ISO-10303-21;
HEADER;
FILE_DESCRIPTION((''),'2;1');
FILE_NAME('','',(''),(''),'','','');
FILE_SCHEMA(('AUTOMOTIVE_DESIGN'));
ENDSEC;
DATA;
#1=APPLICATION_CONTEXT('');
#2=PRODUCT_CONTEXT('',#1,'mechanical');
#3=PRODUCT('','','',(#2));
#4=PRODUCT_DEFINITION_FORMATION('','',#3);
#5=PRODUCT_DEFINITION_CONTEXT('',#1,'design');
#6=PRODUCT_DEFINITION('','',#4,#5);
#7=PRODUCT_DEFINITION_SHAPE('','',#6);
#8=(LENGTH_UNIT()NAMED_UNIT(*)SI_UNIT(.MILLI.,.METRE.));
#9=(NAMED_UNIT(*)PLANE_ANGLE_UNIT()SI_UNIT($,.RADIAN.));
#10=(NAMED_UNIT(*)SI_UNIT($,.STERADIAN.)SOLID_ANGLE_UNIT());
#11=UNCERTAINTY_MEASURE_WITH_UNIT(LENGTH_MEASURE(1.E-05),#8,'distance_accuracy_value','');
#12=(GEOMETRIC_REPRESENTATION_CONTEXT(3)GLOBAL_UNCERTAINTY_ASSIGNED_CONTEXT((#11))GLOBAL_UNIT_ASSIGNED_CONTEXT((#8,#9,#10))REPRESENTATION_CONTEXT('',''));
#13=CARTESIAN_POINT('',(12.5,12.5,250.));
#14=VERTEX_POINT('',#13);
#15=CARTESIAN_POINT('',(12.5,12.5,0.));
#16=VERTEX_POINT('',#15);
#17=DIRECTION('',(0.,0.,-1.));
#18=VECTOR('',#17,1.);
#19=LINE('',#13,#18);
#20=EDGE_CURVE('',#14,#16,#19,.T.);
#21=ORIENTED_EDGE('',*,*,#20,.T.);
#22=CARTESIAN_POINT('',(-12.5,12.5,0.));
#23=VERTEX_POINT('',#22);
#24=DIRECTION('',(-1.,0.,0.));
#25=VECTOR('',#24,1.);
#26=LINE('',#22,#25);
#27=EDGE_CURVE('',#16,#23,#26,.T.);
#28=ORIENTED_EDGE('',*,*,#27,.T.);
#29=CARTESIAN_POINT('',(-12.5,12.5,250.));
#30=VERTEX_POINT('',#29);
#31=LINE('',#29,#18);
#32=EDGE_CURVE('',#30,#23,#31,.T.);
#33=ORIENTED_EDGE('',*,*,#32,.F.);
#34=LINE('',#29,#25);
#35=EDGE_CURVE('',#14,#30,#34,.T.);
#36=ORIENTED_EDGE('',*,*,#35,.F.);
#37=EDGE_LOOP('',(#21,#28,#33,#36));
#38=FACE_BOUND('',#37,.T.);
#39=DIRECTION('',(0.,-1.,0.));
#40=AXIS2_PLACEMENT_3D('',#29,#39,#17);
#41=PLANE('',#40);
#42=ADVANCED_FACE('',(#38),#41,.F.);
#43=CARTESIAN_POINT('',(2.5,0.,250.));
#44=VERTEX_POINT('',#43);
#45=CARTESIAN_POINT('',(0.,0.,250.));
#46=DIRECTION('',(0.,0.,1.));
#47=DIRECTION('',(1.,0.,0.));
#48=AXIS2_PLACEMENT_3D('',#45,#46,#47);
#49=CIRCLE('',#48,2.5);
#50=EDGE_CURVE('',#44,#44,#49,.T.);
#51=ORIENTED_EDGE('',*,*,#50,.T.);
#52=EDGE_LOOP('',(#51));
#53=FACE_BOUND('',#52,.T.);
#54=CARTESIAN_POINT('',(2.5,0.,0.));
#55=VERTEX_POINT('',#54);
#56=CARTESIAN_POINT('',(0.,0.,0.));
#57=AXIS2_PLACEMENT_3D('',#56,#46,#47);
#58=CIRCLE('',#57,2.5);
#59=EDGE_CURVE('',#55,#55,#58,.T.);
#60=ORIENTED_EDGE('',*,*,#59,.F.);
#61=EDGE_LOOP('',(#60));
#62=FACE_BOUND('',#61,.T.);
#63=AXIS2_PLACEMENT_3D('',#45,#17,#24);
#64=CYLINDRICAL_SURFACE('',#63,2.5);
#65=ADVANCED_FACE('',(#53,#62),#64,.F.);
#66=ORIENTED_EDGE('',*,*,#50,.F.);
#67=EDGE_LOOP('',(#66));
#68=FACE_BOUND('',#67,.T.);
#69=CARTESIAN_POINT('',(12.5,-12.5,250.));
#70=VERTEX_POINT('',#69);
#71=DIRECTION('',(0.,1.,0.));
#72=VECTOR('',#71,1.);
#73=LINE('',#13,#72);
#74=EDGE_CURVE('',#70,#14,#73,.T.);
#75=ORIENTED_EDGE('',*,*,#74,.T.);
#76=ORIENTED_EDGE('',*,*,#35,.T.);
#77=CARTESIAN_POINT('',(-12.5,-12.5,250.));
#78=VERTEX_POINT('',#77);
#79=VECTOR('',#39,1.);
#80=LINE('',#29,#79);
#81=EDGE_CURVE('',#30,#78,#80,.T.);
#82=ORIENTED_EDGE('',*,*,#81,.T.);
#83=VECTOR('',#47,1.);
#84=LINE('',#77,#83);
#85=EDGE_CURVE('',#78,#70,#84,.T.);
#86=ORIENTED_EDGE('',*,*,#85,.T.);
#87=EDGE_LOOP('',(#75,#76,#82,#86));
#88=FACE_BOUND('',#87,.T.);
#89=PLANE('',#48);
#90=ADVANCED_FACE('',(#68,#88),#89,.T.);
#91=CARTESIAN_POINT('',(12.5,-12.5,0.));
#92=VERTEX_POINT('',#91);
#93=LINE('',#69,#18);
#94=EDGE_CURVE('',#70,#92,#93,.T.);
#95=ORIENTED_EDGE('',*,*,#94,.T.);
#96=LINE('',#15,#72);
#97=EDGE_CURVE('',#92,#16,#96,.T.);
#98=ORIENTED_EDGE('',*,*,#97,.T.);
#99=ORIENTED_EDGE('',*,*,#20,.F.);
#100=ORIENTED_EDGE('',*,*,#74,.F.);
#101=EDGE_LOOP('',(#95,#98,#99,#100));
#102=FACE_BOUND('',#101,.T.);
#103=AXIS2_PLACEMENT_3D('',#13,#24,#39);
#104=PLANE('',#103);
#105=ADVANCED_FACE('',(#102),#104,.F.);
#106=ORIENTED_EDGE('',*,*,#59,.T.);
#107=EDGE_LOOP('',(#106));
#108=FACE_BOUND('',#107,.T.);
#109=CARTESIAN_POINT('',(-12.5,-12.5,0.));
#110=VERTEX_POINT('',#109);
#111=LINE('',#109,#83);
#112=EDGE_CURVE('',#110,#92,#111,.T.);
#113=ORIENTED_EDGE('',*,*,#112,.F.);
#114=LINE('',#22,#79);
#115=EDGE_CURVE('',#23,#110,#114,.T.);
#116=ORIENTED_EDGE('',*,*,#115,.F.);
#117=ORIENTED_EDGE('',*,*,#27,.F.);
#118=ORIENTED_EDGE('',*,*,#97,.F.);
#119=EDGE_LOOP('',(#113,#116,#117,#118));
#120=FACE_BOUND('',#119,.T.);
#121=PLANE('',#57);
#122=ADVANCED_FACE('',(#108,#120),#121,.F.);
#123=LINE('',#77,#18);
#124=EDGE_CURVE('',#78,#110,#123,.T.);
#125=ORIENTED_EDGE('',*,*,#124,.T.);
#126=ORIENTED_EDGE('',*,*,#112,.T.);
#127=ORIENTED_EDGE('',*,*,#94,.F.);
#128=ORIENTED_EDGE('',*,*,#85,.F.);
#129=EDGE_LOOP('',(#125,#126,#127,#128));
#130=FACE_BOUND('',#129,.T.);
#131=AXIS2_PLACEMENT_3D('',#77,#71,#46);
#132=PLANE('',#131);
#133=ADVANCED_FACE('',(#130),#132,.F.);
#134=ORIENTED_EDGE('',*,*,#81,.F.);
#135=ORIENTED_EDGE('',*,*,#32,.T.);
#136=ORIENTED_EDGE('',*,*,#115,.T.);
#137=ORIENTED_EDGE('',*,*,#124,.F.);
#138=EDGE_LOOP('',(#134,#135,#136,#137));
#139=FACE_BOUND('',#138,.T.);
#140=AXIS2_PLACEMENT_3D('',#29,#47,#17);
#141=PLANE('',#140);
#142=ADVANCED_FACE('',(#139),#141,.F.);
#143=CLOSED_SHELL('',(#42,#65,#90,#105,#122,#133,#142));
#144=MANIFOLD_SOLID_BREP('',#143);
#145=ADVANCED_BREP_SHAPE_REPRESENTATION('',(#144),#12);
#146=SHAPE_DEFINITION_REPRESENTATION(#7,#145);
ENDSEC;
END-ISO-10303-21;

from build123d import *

# Parameters (mm, degrees)
ESQUISSE1_W             = 25
ESQUISSE1_H             = 25
BOSS_EXTRU_1_DEPTH      = 250
ESQUISSE2_R             = 2.5
ENL_V_MAT_EXTRU_3_DEPTH = 250


with BuildPart() as part:
    # Esquisse1 → Boss.-Extru.1 (new body)
    with BuildSketch(Plane.XY):
        Rectangle(ESQUISSE1_W, ESQUISSE1_H)
    extrude(amount=BOSS_EXTRU_1_DEPTH)

    # Esquisse2 → Enlèv. mat.-Extru.3 (cut)
    with BuildSketch(Plane.XY):
        Circle(ESQUISSE2_R)
    extrude(amount=ENL_V_MAT_EXTRU_3_DEPTH, mode=Mode.SUBTRACT)


solid = part.part
